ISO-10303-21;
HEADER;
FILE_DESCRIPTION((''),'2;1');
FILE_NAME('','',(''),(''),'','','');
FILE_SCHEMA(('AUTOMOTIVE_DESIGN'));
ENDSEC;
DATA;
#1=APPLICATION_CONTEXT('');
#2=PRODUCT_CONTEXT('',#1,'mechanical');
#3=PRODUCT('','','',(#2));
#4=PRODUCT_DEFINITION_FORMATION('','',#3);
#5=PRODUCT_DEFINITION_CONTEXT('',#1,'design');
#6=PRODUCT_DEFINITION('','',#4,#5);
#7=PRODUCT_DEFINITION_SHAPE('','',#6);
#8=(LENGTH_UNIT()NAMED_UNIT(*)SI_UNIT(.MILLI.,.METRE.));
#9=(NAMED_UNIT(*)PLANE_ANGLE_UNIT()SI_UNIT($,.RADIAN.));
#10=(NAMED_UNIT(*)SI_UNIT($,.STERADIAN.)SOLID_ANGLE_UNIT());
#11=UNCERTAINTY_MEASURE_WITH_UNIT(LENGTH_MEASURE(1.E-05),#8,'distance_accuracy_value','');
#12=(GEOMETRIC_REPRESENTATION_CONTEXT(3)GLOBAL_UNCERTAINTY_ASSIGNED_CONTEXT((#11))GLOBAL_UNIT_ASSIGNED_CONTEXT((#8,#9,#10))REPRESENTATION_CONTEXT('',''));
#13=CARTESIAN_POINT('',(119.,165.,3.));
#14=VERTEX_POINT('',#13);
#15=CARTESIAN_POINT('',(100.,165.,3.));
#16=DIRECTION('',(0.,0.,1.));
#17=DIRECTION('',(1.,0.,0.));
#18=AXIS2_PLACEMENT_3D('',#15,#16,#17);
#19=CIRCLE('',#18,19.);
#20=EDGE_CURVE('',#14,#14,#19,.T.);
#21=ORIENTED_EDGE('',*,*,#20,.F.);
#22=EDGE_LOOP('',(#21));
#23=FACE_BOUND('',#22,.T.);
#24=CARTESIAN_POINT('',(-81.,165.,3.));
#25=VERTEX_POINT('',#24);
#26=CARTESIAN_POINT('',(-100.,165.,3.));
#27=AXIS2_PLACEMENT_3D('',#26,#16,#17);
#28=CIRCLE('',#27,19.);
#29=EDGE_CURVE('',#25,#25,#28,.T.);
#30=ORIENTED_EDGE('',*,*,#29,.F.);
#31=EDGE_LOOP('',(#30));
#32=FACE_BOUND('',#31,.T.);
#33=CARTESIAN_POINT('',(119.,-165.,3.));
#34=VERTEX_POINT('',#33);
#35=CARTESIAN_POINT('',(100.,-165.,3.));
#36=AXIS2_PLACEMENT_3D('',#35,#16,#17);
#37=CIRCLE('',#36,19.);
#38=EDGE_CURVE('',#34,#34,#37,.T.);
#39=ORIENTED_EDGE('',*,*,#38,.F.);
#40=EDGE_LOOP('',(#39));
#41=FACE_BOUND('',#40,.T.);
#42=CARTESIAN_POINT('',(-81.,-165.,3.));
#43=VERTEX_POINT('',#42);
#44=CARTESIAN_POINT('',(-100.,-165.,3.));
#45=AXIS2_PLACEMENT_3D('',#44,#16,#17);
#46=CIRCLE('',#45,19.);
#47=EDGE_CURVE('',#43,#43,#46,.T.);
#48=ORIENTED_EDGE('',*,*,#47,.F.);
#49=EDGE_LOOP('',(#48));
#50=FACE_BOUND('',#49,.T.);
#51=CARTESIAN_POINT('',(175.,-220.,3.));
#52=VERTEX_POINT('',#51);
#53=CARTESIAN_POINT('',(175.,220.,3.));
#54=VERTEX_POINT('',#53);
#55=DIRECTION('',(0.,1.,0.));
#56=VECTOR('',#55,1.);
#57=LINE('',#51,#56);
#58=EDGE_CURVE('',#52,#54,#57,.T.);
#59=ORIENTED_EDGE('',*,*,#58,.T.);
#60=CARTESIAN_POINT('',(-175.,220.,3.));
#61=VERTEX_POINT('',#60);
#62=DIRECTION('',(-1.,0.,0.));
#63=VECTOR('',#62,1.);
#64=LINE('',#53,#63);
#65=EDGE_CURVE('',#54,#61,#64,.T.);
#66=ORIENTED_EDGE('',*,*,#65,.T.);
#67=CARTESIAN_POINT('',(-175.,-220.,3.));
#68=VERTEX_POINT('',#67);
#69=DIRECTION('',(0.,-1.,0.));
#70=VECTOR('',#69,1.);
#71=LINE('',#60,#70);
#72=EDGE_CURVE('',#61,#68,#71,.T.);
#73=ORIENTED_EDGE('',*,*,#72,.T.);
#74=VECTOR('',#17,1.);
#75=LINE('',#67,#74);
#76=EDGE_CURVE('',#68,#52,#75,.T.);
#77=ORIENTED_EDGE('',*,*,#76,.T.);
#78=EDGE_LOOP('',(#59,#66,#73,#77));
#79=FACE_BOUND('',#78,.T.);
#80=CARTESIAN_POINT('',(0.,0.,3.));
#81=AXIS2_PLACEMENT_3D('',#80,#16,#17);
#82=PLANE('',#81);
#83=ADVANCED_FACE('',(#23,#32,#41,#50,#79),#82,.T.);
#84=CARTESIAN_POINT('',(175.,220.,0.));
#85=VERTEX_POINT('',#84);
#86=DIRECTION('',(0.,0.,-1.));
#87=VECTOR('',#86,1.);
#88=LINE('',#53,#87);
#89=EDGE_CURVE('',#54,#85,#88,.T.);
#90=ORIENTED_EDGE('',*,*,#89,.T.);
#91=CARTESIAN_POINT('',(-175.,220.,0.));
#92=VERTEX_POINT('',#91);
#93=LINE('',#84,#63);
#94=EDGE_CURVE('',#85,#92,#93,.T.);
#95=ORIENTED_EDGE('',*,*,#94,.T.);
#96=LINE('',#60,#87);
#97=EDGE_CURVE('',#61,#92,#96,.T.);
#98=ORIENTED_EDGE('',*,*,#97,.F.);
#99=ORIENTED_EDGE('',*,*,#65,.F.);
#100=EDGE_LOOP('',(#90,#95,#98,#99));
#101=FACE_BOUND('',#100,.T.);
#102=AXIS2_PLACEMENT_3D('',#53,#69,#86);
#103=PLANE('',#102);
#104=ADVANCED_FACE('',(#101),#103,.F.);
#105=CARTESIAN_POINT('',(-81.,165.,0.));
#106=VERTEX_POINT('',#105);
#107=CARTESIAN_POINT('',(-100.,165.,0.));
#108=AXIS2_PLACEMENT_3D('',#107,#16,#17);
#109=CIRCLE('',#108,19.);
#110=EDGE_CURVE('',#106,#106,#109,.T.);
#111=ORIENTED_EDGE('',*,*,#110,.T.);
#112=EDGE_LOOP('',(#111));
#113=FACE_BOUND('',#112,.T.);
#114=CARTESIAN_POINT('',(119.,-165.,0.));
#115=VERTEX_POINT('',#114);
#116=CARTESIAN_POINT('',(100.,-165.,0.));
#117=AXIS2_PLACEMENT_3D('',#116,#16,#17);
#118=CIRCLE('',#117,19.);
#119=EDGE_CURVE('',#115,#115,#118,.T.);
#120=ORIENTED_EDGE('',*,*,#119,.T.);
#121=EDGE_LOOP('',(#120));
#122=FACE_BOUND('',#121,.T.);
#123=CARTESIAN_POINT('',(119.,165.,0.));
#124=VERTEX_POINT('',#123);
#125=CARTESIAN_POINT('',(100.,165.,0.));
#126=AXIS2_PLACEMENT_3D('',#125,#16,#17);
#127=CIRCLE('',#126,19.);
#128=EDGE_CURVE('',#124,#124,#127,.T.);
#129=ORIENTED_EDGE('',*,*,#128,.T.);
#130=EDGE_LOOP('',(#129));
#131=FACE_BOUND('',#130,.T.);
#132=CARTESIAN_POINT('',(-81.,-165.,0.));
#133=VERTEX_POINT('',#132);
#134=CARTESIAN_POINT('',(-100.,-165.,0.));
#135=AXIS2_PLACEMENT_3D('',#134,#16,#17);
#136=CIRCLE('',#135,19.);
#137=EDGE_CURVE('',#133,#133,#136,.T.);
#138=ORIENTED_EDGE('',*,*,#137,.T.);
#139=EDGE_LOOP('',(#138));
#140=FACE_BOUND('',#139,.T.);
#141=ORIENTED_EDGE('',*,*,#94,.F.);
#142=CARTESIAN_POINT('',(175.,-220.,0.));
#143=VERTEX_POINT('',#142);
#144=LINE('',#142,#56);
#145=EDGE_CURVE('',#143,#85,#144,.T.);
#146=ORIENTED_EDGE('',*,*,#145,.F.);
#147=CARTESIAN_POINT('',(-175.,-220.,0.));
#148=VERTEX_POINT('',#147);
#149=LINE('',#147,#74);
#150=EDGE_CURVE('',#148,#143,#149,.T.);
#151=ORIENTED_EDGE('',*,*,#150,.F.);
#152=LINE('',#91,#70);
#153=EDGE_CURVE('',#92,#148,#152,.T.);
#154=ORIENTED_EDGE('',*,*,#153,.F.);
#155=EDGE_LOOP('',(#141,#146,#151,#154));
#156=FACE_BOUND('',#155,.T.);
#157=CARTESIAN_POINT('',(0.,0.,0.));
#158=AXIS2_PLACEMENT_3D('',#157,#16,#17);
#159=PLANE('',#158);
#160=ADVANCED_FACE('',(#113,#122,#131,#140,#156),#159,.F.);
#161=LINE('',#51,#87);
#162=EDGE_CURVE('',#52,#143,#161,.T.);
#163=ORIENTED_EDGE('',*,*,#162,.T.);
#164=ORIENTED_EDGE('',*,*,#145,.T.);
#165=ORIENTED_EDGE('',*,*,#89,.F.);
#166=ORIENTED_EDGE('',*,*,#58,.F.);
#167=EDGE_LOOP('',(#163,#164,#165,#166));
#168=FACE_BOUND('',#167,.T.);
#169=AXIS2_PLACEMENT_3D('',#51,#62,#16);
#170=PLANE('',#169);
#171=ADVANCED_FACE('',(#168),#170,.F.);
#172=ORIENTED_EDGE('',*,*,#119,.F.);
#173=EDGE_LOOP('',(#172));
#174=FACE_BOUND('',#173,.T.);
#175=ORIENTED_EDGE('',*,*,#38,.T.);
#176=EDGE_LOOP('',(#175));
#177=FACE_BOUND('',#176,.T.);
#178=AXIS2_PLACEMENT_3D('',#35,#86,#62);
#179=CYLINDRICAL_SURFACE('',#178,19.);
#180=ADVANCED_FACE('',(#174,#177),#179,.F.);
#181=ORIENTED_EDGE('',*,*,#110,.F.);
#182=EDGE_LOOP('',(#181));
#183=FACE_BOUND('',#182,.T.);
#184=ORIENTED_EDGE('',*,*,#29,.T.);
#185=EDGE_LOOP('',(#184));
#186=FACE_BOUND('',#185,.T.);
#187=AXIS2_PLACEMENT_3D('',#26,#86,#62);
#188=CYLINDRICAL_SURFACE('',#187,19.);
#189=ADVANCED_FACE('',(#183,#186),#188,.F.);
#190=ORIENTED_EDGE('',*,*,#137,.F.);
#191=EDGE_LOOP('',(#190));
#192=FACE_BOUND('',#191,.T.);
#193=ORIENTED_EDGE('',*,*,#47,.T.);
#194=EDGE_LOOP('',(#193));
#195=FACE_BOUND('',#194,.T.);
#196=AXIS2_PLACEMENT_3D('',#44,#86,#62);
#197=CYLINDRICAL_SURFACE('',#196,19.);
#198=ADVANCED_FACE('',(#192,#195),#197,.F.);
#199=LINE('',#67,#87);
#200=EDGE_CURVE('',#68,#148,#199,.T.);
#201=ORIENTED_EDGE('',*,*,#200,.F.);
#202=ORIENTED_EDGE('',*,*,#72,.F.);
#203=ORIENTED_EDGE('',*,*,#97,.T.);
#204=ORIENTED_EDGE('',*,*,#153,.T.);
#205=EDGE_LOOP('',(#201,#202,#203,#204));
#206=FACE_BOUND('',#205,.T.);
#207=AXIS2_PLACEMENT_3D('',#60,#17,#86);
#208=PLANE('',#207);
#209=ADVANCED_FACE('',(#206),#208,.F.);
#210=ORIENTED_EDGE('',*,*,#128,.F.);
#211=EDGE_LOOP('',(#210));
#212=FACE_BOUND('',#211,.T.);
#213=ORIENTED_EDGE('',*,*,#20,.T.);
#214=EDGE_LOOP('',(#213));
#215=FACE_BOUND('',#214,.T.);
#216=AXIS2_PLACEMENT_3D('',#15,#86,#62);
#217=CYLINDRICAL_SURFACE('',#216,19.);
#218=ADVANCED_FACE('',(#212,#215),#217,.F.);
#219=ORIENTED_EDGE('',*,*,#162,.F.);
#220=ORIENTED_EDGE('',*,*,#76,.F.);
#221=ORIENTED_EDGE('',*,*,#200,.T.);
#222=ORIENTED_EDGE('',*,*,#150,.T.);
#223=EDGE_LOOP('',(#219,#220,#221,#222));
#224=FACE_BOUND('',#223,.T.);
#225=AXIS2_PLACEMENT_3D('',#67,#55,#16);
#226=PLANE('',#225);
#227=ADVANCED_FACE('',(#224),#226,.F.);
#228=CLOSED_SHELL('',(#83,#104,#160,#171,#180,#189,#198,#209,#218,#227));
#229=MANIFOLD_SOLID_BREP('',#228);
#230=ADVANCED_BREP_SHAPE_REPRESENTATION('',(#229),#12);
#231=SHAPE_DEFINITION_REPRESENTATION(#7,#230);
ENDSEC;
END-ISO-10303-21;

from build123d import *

# Parameters (mm, degrees)
SKETCH_1_W      = 350
SKETCH_1_H      = 440
SKETCH_1_R      = 19
EXTRUDE_1_DEPTH = 3


with BuildPart() as part:
    # Эскиз1 → Бобышка-Вытянуть1 (new body)
    with BuildSketch(Plane.XY):
        Rectangle(SKETCH_1_W, SKETCH_1_H)
        with Locations((-100, 165)):
            Circle(SKETCH_1_R, mode=Mode.SUBTRACT)
        with Locations((100, 165)):
            Circle(SKETCH_1_R, mode=Mode.SUBTRACT)
        with Locations((100, -165)):
            Circle(SKETCH_1_R, mode=Mode.SUBTRACT)
        with Locations((-100, -165)):
            Circle(SKETCH_1_R, mode=Mode.SUBTRACT)
    extrude(amount=EXTRUDE_1_DEPTH)


solid = part.part
